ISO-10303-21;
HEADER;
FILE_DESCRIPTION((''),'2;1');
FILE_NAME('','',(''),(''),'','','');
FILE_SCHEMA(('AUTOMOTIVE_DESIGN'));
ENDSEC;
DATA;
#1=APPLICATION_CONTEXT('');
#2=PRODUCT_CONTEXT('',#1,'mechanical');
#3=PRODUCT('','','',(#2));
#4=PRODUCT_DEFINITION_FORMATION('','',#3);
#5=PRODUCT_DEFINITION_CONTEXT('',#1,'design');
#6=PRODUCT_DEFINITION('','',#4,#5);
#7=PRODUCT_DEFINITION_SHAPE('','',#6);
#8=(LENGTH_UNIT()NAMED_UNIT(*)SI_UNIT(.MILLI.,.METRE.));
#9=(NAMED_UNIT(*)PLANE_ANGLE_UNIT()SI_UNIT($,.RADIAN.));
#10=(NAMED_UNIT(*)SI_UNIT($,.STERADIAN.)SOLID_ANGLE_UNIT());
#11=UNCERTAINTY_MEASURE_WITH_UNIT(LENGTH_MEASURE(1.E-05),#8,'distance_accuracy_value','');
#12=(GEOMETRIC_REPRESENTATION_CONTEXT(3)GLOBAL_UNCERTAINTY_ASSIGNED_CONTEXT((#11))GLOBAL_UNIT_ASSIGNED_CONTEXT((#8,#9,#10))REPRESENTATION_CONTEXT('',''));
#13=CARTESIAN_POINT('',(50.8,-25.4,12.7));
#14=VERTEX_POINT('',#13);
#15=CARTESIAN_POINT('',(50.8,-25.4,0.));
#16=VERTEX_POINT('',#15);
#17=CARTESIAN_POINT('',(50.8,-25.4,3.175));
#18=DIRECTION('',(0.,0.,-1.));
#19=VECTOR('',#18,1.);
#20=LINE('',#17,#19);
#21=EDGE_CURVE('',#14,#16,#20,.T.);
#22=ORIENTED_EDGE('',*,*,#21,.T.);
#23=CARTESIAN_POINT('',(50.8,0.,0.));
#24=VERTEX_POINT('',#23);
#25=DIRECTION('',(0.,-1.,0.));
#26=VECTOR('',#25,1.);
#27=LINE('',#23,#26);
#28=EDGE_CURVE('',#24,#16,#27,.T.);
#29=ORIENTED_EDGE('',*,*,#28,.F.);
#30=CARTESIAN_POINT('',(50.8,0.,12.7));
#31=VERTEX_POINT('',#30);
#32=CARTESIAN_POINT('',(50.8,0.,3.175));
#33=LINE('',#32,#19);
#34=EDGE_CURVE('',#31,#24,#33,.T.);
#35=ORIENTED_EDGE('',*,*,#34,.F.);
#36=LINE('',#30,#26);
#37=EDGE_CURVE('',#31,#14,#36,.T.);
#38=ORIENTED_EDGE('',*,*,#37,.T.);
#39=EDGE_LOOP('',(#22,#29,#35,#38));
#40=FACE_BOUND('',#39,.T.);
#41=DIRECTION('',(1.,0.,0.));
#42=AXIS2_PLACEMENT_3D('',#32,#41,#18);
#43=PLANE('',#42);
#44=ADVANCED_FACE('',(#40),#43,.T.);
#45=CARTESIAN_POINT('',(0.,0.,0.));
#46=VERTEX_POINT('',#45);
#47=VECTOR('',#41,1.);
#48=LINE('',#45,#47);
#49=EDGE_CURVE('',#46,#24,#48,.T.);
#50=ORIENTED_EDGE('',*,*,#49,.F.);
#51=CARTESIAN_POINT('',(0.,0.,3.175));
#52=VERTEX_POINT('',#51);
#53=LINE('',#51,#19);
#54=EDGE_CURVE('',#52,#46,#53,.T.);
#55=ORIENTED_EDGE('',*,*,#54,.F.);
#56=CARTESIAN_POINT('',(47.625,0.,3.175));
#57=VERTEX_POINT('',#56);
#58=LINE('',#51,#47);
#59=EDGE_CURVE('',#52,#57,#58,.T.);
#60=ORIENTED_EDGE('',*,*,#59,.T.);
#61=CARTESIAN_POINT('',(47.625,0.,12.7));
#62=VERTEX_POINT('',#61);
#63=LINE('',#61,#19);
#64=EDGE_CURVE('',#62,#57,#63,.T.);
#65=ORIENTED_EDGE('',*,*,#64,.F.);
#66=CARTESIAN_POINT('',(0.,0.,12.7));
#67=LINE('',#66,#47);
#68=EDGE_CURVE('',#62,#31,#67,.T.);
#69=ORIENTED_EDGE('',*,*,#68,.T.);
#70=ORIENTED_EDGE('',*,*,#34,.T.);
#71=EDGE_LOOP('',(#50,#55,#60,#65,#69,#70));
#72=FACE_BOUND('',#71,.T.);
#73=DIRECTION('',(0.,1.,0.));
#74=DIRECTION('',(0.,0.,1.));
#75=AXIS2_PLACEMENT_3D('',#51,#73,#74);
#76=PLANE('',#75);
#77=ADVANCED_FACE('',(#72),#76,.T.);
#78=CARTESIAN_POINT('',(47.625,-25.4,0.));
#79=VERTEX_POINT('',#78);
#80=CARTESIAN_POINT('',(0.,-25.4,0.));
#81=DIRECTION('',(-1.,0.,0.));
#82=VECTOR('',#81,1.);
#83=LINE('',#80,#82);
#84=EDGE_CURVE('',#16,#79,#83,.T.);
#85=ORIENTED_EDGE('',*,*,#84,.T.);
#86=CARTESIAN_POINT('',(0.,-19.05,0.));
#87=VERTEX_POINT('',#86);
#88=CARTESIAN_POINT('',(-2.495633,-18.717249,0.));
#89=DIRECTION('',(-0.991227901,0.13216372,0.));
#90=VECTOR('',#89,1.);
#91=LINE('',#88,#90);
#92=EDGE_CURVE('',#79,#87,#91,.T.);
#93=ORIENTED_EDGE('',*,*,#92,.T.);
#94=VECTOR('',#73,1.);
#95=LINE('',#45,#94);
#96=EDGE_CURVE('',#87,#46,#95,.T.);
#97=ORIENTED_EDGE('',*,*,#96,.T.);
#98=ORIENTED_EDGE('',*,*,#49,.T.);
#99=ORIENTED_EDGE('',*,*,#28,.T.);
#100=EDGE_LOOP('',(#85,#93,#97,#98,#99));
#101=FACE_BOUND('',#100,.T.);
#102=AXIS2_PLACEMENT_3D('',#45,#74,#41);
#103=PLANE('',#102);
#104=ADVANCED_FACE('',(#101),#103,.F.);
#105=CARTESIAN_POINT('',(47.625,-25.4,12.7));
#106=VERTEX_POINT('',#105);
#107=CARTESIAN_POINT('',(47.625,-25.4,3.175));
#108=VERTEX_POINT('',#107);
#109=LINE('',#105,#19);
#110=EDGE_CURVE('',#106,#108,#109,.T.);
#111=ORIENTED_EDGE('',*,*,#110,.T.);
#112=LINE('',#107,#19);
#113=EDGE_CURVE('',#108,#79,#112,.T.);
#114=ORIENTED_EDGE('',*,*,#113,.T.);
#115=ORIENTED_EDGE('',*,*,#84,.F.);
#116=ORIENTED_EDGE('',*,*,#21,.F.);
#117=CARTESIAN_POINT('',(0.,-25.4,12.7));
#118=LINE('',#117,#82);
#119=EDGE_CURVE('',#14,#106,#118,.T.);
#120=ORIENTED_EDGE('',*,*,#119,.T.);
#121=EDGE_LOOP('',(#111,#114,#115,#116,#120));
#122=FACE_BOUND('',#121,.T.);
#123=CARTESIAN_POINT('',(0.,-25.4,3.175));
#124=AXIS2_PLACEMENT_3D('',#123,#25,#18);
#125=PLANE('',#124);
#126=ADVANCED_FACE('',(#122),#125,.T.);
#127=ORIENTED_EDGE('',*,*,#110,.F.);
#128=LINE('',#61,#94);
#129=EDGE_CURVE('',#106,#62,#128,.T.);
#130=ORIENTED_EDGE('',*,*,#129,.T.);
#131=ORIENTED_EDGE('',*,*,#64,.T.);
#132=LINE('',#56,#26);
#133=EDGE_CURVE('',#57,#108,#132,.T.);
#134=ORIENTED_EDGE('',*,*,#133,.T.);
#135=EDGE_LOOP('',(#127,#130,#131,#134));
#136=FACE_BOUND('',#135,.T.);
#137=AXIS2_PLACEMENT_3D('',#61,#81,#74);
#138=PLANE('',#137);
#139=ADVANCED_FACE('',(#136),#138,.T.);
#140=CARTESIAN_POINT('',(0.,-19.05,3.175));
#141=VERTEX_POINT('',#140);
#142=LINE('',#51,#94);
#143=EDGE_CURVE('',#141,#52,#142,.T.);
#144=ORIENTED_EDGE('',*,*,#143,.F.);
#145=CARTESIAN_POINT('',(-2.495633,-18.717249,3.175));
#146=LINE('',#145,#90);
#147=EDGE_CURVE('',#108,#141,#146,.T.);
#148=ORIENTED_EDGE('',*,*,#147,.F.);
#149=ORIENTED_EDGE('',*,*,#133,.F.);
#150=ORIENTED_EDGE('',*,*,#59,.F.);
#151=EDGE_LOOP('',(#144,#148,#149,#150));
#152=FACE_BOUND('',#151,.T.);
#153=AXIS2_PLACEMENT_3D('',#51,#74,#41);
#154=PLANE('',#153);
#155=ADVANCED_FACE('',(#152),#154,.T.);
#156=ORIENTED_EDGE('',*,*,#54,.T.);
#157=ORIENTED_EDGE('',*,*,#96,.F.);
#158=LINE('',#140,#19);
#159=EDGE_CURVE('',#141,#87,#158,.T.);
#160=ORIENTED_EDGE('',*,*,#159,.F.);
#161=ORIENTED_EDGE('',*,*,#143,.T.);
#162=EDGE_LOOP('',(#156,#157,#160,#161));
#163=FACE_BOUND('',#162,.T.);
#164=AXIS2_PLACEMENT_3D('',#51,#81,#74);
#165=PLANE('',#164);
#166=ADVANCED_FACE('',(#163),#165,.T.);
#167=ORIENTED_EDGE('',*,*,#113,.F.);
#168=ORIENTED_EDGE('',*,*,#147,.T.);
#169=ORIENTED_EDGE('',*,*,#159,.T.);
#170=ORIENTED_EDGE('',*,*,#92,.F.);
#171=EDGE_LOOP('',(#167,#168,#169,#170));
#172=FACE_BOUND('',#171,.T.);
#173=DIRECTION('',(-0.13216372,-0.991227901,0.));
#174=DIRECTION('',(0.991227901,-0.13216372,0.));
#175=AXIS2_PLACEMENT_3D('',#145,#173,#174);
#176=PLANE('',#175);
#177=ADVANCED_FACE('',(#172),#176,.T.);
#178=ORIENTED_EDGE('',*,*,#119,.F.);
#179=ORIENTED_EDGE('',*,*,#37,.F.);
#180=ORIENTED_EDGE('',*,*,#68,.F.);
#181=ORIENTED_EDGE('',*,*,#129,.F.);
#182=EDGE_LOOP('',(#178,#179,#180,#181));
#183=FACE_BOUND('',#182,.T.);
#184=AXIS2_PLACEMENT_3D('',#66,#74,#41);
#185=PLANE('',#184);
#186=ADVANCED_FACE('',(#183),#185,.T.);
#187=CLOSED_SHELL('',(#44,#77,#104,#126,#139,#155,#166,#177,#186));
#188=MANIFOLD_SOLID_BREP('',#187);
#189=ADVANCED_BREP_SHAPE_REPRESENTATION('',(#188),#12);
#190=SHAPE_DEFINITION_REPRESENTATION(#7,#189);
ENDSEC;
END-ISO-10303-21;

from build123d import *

# Parameters (mm, degrees)
BOSS_EXTRUDE1_DEPTH = 3.175
SKETCH2_3_W         = 3.175
SKETCH2_3_H         = 25.4
BOSS_EXTRUDE2_DEPTH = 12.7


with BuildPart() as part:
    # Sketch2 → Boss-Extrude1 (new body)
    with BuildSketch(Plane.XY):
        Polygon((0, 0), (0, -19.05), (47.625, -25.4), (50.8, -25.4), (50.8, 0), align=None)
    extrude(amount=BOSS_EXTRUDE1_DEPTH)

    # Sketch2<3> → Boss-Extrude2 (add)
    with BuildSketch(Plane.XY):
        with Locations((49.2125, -12.7)):
            Rectangle(SKETCH2_3_W, SKETCH2_3_H)
    extrude(amount=BOSS_EXTRUDE2_DEPTH)


solid = part.part
